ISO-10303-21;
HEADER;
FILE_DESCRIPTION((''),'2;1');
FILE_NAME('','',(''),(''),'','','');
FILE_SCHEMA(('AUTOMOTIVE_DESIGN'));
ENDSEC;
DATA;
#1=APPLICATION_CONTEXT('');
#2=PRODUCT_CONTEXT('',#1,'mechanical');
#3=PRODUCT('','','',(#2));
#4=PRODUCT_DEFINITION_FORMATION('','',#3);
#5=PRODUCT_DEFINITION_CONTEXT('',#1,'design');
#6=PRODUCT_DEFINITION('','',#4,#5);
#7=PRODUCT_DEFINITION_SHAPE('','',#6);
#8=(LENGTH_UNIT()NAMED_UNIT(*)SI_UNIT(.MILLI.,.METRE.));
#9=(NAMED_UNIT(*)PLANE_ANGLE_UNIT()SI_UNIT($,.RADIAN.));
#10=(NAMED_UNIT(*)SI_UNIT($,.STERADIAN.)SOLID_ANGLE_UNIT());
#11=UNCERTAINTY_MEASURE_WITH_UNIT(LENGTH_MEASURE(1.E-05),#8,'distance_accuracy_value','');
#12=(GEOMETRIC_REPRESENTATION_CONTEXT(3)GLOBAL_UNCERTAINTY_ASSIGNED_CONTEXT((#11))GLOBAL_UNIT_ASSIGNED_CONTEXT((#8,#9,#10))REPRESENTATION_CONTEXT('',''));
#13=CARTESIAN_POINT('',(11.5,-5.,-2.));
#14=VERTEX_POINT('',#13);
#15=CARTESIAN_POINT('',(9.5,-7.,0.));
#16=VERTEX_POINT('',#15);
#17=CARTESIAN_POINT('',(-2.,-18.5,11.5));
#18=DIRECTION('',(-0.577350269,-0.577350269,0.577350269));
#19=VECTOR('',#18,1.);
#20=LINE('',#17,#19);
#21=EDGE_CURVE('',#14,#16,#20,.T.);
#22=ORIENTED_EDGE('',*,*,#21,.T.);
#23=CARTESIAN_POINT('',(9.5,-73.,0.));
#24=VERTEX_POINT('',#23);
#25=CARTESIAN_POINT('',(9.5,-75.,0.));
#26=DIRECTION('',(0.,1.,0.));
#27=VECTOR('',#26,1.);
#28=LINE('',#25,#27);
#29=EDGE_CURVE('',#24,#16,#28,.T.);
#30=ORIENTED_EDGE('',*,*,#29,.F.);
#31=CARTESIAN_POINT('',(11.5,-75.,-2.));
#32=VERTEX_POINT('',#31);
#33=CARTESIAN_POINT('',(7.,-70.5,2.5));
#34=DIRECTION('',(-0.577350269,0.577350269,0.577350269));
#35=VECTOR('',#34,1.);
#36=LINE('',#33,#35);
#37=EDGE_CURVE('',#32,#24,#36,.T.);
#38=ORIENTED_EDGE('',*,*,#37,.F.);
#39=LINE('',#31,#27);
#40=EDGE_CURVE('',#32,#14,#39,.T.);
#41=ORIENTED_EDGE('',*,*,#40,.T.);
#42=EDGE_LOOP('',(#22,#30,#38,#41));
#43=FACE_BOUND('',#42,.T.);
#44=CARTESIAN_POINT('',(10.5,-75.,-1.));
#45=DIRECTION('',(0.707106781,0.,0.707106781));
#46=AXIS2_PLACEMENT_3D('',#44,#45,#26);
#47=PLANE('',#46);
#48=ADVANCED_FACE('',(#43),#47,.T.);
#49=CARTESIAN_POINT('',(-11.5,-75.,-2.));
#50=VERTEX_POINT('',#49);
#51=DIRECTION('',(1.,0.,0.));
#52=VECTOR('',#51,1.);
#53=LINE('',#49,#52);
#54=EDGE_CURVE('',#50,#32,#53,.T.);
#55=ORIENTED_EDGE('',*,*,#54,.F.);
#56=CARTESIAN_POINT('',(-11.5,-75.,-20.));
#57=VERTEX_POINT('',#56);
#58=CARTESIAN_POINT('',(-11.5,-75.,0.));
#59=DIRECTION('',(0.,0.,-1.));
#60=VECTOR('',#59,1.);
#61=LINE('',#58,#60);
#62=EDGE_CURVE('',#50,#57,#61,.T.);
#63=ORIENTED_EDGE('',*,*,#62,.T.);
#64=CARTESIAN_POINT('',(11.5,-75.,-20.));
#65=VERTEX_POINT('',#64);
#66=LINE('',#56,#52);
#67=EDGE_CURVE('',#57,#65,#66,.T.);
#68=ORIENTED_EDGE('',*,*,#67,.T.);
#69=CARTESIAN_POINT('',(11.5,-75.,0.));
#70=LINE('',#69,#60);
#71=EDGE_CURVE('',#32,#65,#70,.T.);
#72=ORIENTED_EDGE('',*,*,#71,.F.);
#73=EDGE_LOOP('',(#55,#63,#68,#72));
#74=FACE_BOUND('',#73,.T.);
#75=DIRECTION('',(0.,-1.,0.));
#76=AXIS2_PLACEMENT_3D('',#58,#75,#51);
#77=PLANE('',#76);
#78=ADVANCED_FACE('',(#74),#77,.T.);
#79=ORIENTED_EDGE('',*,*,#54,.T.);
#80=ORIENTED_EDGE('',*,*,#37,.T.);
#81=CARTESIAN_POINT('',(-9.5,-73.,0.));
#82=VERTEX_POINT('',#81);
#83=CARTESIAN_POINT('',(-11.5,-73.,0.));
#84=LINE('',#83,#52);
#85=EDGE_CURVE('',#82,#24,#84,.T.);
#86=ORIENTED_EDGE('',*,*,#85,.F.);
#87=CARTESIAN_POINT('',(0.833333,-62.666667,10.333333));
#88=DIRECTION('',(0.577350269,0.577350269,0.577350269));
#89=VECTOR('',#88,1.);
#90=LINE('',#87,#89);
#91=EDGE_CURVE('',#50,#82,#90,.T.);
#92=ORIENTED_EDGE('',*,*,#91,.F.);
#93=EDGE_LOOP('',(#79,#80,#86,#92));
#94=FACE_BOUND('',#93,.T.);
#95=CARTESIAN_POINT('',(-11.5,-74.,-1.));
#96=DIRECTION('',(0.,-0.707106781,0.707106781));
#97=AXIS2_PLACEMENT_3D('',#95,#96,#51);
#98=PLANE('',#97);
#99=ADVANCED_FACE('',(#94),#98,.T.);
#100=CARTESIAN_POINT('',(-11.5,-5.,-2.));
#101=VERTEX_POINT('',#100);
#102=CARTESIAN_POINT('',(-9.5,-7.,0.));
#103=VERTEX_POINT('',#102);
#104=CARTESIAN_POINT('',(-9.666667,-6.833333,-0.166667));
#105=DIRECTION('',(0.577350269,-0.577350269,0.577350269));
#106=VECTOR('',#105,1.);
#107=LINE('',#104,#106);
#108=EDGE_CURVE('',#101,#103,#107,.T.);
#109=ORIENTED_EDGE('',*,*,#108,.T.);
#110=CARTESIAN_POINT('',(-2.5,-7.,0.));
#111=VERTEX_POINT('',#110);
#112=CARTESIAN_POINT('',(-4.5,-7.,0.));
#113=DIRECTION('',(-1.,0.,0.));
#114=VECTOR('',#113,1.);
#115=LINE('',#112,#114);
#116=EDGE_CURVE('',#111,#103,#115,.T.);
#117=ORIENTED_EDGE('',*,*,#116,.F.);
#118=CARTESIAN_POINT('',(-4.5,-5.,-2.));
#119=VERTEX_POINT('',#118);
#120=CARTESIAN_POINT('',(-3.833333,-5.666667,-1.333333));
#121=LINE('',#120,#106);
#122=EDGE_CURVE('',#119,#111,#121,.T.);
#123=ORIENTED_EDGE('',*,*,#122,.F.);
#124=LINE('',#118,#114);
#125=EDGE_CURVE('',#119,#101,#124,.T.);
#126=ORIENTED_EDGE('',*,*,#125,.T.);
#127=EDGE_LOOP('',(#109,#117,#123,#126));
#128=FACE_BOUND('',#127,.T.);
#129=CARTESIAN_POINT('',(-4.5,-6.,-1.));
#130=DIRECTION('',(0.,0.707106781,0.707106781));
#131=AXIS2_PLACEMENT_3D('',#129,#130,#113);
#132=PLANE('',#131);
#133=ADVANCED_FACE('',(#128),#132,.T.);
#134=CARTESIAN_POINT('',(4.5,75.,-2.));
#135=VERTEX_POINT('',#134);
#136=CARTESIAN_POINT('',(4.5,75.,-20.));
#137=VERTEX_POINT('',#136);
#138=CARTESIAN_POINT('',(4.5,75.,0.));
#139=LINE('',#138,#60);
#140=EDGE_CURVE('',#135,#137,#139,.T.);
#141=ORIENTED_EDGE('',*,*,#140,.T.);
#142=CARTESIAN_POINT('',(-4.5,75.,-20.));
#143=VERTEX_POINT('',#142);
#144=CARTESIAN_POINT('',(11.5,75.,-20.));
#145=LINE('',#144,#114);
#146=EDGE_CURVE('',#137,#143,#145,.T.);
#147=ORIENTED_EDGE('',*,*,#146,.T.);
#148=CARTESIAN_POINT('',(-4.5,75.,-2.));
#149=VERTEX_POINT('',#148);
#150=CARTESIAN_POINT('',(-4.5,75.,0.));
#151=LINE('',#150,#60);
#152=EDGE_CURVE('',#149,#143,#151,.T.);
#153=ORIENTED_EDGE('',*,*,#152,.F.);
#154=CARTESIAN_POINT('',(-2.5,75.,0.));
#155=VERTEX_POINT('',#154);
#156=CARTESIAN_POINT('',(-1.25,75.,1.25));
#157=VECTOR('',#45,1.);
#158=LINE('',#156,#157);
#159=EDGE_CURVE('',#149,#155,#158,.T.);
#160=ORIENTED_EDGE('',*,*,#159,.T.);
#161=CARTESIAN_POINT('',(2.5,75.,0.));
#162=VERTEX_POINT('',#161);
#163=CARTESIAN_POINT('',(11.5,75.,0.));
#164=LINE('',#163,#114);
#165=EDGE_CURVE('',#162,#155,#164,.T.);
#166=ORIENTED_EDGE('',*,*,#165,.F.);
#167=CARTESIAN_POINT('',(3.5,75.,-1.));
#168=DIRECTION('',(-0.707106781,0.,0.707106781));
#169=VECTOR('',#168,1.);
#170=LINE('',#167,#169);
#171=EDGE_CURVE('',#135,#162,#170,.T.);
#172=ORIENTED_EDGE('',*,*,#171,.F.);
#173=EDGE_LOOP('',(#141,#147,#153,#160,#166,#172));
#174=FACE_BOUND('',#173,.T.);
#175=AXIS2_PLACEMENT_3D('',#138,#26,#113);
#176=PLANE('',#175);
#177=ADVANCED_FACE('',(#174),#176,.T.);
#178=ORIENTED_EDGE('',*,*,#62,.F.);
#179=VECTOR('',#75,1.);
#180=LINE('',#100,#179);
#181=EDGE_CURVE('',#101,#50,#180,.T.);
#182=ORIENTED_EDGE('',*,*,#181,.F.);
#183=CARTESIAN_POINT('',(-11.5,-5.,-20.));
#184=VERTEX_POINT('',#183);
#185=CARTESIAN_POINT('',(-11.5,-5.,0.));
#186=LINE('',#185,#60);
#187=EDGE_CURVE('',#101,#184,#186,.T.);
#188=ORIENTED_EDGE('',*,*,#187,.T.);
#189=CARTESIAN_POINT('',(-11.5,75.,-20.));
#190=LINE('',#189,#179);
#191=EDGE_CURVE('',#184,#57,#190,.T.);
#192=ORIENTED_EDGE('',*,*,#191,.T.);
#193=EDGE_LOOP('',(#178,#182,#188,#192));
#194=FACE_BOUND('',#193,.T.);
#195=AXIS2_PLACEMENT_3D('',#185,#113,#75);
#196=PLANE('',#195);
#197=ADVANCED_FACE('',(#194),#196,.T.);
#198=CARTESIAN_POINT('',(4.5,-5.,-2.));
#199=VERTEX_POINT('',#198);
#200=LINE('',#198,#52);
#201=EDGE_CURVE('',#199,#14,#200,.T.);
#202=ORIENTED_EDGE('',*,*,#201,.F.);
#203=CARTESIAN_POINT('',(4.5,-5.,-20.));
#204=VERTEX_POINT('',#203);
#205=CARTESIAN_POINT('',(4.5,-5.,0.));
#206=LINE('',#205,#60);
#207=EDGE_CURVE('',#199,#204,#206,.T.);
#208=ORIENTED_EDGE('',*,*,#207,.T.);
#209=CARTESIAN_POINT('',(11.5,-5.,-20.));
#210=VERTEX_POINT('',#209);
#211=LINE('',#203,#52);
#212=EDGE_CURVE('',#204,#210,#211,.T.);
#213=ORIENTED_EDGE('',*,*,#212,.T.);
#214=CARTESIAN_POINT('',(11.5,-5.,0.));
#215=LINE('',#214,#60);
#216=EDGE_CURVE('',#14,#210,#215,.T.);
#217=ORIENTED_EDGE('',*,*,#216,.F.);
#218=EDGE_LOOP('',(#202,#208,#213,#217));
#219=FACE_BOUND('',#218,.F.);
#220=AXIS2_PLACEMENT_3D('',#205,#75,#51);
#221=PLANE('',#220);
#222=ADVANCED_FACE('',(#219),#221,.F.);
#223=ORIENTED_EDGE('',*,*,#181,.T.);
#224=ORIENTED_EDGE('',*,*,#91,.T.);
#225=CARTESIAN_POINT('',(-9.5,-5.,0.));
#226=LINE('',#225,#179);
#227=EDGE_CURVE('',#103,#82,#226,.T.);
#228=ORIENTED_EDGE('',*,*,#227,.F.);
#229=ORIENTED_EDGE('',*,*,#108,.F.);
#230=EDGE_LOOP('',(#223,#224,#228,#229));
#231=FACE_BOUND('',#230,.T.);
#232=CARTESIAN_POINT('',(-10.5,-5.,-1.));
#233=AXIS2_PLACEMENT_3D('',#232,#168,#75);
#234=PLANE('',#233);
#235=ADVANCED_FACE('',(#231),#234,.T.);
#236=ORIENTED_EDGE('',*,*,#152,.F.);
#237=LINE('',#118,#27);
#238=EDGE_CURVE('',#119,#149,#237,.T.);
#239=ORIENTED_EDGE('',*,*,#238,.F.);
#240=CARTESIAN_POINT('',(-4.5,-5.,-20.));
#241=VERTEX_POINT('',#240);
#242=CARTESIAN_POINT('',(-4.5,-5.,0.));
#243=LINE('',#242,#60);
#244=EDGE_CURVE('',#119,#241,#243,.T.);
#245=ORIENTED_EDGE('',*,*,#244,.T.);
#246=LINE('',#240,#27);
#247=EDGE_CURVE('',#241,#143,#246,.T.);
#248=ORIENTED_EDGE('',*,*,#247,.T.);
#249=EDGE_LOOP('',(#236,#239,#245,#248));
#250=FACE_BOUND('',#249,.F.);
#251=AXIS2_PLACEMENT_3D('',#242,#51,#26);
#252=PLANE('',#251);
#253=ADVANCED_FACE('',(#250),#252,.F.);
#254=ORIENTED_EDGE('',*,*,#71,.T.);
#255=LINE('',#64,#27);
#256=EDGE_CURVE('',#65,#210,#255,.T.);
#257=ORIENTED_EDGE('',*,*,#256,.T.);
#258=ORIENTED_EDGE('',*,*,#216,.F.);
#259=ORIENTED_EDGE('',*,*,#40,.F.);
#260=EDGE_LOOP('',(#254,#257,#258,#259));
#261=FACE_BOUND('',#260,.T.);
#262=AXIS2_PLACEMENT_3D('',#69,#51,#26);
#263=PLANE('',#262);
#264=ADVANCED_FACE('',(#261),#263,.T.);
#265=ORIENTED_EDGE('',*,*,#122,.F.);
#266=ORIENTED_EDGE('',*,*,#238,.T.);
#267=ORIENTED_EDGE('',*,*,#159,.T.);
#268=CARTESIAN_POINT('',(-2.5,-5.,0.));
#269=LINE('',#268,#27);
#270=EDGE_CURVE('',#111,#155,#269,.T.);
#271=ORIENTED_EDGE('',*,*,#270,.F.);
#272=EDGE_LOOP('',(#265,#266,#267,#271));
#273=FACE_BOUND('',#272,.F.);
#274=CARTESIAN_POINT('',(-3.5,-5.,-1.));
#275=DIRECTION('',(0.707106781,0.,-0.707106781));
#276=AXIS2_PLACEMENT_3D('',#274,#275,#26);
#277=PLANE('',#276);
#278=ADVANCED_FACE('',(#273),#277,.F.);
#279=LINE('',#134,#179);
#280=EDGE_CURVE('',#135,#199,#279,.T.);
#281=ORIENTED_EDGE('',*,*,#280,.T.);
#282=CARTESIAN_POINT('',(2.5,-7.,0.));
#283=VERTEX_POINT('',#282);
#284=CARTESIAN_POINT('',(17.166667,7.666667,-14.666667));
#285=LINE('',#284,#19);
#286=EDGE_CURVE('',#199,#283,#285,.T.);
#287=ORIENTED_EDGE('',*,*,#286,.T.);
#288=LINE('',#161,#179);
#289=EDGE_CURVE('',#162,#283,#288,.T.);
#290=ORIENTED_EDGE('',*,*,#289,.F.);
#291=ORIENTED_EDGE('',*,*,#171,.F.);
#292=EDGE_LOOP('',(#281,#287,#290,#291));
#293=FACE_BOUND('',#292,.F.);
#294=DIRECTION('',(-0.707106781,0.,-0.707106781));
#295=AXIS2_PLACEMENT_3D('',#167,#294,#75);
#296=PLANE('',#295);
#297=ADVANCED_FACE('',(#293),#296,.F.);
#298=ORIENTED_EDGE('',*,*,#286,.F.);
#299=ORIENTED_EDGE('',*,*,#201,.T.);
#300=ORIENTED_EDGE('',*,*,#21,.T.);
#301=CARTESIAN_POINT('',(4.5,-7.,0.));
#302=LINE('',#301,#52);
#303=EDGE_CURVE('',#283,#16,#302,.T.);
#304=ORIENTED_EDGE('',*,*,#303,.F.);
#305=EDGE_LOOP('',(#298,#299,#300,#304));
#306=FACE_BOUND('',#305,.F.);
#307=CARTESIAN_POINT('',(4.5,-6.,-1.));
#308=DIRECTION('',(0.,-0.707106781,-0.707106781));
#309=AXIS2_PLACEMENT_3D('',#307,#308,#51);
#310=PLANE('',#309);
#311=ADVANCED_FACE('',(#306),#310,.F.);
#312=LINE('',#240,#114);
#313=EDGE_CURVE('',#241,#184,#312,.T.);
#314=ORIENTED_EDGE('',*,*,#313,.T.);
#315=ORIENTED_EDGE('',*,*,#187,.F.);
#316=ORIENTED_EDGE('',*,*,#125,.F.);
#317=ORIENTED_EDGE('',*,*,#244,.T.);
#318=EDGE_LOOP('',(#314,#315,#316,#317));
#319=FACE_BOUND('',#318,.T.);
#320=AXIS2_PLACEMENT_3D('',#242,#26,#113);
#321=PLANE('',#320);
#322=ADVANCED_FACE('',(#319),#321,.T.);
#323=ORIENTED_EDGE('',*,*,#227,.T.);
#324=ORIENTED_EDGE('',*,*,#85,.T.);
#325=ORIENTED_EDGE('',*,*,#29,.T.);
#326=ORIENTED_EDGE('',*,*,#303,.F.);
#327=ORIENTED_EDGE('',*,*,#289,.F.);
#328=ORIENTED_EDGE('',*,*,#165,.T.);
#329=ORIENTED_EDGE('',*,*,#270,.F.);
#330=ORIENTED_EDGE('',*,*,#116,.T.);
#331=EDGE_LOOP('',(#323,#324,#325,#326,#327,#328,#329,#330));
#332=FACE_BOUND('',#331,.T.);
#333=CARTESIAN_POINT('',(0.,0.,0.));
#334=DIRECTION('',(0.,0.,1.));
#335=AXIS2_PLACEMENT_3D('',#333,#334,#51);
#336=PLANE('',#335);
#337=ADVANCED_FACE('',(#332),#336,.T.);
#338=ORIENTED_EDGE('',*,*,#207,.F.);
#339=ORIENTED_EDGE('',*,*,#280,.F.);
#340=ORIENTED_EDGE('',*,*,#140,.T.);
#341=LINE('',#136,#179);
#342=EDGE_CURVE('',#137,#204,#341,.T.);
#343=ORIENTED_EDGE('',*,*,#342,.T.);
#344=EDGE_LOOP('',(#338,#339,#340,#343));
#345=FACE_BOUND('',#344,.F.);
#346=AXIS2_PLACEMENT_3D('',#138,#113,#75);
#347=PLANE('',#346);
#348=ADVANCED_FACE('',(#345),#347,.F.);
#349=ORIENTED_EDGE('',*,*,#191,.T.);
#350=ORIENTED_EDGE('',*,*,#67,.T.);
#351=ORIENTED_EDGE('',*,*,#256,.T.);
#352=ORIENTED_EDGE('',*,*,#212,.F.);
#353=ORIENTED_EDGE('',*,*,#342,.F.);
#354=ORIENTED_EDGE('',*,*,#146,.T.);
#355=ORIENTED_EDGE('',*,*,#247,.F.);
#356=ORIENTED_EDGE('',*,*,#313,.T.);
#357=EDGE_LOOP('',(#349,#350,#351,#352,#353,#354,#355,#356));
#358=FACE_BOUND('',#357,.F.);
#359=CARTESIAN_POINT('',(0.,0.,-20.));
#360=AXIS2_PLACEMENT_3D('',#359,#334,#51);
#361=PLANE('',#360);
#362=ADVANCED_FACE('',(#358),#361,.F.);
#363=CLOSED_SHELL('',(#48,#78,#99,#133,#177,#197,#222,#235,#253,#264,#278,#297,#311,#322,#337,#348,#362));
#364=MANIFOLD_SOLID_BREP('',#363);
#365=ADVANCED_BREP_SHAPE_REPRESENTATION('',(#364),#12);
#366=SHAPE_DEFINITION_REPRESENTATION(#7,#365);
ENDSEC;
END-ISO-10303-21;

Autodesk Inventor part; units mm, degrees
ref_plane "YZ Plane" through (0, 0, 0) normal (1, 0, 0) x (0, 1, 0)
ref_plane "XZ Plane" through (0, 0, 0) normal (0, 1, 0) x (-1, 0, 0)
ref_plane "XY Plane" through (0, 0, 0) normal (0, 0, 1) x (1, 0, 0)
sketch "Sketch1" plane through (0, 0, 0) normal (0, 0, 1) x (1, 0, 0)
  line L0 (-11.5, -75) -> (11.5, -75)
  line L1 (11.5, -75) -> (11.5, 75)
  line L2 (11.5, 75) -> (-11.5, 75)
  line L3 (-11.5, 75) -> (-11.5, -75)
  line L4 (-11.5, -75) -> (11.5, 75) construction
  line L5 (11.5, -75) -> (-11.5, 75) construction
  line L6 (-4.5, 75) -> (4.5, 75)
  line L7 (4.5, 75) -> (4.5, -5)
  line L8 (4.5, -5) -> (-4.5, -5) construction
  line L9 (-4.5, -5) -> (-4.5, 75)
  line L10 (0, -75) -> (0, 75) construction
  line L11 (-4.5, -5) -> (-11.5, -5)
  line L12 (4.5, -5) -> (11.5, -5)
  point P0 (0, 0)
  dimension "d0" = 150
  dimension "d1" = 80
  dimension "d2" = 7
  dimension "d3" = 23
extrude "Extrusion1" add sketch "Sketch1" against normal blind 20 contours L3 L11 L9 L2 L7 L12 L1 L0
chamfer "Chamfer1" distance 2 angle 45 7 edges at (0, -75, 0) (-11.5, -40, 0) (11.5, -40, 0) (8, -5, 0) (-8, -5, 0) (-4.5, 35, 0) (4.5, 35, 0)
equation "\"d0\" = key_length"
equation "\"d1\" = blackkey_length"
equation "\"d2\" = blackkey_halfwidth"
equation "\"d3\" = key_width"
equation "\"d4\" = key_height"
equation "\"key_length\" = 150"
equation "\"blackkey_length\" = 80"
equation "\"blackkey_halfwidth\" = 7"
equation "\"key_width\" = 23"
equation "\"key_height\" = 20"
properties part number "key_3"
